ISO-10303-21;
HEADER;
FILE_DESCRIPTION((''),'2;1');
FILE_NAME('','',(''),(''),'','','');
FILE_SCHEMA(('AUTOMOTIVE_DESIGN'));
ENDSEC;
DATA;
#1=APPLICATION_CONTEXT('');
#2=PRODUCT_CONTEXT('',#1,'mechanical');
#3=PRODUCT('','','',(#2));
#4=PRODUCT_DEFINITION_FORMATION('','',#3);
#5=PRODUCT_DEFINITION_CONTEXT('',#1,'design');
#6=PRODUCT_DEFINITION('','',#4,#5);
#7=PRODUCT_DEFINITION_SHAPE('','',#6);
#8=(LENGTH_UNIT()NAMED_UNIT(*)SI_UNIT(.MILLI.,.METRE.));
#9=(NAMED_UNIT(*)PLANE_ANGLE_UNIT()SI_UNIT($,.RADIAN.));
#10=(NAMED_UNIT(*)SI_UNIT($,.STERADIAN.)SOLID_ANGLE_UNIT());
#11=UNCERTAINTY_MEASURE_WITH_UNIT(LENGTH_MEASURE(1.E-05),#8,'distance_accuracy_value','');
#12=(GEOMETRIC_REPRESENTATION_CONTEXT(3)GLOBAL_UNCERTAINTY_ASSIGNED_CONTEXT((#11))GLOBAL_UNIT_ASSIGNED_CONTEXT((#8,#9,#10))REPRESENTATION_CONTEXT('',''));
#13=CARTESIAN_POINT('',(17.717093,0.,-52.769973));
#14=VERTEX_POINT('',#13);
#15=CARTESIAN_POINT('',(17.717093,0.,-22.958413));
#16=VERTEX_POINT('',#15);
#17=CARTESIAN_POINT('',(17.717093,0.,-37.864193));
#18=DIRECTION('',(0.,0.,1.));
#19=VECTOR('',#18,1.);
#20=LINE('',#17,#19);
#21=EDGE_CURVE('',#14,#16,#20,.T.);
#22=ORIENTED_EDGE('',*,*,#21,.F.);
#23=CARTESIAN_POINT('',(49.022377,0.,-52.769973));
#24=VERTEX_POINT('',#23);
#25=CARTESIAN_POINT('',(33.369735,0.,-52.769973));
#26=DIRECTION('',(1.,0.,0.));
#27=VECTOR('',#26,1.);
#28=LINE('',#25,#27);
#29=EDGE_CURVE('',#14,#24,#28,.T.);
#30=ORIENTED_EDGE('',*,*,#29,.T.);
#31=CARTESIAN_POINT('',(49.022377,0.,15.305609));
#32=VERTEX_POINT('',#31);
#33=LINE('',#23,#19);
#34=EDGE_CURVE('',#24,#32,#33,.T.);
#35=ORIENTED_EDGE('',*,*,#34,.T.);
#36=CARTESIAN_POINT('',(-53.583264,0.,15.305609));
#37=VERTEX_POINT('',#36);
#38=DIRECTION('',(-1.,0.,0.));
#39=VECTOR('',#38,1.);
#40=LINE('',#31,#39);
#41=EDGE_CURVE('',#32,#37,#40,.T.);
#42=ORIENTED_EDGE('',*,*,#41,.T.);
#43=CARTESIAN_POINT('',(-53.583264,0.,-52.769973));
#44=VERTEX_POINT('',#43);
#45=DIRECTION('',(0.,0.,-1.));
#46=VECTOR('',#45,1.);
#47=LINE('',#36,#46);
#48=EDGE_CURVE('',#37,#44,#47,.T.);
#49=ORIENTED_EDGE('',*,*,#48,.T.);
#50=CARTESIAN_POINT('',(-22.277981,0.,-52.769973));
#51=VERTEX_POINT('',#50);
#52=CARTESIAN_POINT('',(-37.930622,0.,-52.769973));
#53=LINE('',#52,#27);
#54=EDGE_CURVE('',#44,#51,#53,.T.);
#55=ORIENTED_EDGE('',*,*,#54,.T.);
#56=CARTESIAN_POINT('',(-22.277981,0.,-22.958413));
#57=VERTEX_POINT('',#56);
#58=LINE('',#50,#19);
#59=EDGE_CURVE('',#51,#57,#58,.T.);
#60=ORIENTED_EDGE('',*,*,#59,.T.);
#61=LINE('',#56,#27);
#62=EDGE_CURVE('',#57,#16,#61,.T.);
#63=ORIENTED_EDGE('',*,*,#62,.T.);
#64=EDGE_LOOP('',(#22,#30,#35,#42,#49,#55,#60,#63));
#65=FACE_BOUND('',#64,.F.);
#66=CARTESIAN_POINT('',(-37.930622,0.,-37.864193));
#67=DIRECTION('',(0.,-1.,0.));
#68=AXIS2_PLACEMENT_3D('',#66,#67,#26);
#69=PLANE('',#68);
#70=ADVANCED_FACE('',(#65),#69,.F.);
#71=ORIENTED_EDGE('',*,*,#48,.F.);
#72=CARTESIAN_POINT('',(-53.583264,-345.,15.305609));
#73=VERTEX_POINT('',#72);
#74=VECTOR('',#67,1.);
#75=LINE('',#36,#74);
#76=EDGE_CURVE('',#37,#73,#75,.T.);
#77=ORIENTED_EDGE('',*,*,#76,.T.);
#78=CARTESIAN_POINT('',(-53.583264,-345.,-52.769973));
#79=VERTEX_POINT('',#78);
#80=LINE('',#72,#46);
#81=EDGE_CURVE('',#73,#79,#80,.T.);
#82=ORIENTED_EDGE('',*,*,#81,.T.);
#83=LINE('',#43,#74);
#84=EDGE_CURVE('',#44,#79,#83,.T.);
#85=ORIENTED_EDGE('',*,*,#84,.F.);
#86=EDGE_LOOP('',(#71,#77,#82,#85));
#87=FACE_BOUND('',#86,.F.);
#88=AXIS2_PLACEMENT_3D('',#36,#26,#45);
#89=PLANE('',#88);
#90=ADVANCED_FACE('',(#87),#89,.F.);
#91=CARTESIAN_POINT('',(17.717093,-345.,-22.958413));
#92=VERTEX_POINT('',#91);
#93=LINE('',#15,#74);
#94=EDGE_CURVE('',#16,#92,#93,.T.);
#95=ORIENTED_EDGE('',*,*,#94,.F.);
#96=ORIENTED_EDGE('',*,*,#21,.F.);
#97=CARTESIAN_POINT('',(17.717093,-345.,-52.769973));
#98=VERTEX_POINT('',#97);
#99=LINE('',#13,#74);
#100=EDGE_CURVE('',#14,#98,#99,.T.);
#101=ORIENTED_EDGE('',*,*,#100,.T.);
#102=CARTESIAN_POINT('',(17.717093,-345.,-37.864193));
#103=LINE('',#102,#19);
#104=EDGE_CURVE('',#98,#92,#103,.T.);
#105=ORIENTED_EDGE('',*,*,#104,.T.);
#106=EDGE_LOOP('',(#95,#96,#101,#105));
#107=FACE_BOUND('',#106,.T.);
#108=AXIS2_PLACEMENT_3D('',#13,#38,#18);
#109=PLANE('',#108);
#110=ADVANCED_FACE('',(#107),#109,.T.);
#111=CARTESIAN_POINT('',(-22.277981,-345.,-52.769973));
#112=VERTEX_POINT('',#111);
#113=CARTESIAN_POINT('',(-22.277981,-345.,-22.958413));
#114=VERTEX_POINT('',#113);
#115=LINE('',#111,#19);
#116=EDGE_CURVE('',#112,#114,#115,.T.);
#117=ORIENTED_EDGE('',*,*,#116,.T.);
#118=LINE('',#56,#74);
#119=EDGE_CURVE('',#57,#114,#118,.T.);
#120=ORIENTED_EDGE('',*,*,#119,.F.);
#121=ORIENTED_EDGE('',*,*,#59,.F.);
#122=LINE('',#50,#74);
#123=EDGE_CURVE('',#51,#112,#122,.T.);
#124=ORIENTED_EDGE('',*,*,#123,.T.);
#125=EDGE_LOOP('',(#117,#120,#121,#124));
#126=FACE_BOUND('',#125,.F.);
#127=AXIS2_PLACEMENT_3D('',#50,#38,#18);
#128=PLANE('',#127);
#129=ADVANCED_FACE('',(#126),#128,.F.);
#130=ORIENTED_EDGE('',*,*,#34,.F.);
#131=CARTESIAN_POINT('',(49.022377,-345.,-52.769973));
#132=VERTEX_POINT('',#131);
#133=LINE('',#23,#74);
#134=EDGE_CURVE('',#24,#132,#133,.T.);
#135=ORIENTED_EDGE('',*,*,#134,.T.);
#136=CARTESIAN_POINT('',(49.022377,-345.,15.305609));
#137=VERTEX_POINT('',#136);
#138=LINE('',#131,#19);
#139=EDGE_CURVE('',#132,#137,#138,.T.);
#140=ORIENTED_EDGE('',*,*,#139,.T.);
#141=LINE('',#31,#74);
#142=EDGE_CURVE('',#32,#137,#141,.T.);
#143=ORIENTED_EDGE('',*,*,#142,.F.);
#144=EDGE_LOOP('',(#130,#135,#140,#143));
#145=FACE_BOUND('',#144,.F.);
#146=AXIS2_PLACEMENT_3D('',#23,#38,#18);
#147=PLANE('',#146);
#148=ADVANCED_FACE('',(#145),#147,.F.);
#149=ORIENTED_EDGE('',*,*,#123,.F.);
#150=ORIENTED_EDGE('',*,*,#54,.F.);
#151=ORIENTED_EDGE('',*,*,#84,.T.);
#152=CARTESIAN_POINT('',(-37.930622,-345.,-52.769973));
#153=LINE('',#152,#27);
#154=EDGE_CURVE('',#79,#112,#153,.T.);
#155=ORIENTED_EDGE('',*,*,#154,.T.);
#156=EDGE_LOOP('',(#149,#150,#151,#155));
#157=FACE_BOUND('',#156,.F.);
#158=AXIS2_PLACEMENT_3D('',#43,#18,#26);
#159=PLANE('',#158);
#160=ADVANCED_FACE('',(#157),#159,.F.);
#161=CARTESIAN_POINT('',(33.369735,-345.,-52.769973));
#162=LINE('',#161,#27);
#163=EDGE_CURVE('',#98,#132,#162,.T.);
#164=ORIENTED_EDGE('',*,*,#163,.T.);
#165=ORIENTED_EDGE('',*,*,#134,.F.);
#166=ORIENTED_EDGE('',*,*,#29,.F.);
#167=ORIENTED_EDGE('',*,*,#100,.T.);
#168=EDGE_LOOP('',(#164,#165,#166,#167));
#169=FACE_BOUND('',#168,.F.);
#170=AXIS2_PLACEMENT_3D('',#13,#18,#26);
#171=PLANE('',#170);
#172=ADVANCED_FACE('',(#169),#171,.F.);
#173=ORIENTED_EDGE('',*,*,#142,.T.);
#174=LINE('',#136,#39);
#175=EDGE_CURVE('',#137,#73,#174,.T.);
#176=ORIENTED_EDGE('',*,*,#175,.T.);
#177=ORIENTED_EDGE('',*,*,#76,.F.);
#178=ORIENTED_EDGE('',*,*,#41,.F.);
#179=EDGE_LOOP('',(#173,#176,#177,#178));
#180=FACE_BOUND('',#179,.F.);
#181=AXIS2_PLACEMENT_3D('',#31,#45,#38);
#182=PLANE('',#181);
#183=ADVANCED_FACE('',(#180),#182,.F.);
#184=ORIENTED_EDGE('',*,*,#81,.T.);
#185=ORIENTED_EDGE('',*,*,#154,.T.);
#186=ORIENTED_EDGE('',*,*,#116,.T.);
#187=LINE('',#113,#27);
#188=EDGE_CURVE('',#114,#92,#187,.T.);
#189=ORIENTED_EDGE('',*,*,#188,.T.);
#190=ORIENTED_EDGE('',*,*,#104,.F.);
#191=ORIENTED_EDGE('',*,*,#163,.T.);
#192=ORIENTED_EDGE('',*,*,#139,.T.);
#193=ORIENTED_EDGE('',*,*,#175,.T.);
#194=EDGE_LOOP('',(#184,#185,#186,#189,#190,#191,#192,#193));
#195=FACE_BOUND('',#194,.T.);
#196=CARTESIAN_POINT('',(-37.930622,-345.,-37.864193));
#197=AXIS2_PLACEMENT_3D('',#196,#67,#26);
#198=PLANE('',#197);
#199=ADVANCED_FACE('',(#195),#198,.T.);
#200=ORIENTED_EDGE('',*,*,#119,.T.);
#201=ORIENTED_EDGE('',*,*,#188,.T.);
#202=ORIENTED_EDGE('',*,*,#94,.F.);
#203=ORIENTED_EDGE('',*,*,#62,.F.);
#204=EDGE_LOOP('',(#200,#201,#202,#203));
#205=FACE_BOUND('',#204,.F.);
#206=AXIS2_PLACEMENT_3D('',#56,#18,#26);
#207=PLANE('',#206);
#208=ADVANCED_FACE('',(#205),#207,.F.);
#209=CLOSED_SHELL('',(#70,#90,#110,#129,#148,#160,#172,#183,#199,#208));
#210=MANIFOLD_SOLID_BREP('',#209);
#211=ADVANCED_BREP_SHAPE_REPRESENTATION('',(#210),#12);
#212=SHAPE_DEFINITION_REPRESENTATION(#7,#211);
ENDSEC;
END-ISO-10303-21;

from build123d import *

# Parameters (mm, degrees)
F0_W     = 31.305283
F0_H     = 29.811561
F0_H_2   = 38.264022
F0_W_2   = 39.995074
F0_W_3   = 31.305284
F1_DEPTH = 345


with BuildPart() as f1:
    # F0 (on Front) → F1 (new body)
    with BuildSketch(Plane.XZ):
        with Locations((-37.930622, -37.864193)):
            Rectangle(F0_W, F0_H)
        with Locations((-37.930622, -3.826402)):
            Rectangle(F0_W, F0_H_2)
        with Locations((-2.280444, -3.826402)):
            Rectangle(F0_W_2, F0_H_2)
        with Locations((33.369735, -3.826402)):
            Rectangle(F0_W_3, F0_H_2)
        with Locations((33.369735, -37.864193)):
            Rectangle(F0_W_3, F0_H)
    extrude(amount=F1_DEPTH)


solid = f1.part
